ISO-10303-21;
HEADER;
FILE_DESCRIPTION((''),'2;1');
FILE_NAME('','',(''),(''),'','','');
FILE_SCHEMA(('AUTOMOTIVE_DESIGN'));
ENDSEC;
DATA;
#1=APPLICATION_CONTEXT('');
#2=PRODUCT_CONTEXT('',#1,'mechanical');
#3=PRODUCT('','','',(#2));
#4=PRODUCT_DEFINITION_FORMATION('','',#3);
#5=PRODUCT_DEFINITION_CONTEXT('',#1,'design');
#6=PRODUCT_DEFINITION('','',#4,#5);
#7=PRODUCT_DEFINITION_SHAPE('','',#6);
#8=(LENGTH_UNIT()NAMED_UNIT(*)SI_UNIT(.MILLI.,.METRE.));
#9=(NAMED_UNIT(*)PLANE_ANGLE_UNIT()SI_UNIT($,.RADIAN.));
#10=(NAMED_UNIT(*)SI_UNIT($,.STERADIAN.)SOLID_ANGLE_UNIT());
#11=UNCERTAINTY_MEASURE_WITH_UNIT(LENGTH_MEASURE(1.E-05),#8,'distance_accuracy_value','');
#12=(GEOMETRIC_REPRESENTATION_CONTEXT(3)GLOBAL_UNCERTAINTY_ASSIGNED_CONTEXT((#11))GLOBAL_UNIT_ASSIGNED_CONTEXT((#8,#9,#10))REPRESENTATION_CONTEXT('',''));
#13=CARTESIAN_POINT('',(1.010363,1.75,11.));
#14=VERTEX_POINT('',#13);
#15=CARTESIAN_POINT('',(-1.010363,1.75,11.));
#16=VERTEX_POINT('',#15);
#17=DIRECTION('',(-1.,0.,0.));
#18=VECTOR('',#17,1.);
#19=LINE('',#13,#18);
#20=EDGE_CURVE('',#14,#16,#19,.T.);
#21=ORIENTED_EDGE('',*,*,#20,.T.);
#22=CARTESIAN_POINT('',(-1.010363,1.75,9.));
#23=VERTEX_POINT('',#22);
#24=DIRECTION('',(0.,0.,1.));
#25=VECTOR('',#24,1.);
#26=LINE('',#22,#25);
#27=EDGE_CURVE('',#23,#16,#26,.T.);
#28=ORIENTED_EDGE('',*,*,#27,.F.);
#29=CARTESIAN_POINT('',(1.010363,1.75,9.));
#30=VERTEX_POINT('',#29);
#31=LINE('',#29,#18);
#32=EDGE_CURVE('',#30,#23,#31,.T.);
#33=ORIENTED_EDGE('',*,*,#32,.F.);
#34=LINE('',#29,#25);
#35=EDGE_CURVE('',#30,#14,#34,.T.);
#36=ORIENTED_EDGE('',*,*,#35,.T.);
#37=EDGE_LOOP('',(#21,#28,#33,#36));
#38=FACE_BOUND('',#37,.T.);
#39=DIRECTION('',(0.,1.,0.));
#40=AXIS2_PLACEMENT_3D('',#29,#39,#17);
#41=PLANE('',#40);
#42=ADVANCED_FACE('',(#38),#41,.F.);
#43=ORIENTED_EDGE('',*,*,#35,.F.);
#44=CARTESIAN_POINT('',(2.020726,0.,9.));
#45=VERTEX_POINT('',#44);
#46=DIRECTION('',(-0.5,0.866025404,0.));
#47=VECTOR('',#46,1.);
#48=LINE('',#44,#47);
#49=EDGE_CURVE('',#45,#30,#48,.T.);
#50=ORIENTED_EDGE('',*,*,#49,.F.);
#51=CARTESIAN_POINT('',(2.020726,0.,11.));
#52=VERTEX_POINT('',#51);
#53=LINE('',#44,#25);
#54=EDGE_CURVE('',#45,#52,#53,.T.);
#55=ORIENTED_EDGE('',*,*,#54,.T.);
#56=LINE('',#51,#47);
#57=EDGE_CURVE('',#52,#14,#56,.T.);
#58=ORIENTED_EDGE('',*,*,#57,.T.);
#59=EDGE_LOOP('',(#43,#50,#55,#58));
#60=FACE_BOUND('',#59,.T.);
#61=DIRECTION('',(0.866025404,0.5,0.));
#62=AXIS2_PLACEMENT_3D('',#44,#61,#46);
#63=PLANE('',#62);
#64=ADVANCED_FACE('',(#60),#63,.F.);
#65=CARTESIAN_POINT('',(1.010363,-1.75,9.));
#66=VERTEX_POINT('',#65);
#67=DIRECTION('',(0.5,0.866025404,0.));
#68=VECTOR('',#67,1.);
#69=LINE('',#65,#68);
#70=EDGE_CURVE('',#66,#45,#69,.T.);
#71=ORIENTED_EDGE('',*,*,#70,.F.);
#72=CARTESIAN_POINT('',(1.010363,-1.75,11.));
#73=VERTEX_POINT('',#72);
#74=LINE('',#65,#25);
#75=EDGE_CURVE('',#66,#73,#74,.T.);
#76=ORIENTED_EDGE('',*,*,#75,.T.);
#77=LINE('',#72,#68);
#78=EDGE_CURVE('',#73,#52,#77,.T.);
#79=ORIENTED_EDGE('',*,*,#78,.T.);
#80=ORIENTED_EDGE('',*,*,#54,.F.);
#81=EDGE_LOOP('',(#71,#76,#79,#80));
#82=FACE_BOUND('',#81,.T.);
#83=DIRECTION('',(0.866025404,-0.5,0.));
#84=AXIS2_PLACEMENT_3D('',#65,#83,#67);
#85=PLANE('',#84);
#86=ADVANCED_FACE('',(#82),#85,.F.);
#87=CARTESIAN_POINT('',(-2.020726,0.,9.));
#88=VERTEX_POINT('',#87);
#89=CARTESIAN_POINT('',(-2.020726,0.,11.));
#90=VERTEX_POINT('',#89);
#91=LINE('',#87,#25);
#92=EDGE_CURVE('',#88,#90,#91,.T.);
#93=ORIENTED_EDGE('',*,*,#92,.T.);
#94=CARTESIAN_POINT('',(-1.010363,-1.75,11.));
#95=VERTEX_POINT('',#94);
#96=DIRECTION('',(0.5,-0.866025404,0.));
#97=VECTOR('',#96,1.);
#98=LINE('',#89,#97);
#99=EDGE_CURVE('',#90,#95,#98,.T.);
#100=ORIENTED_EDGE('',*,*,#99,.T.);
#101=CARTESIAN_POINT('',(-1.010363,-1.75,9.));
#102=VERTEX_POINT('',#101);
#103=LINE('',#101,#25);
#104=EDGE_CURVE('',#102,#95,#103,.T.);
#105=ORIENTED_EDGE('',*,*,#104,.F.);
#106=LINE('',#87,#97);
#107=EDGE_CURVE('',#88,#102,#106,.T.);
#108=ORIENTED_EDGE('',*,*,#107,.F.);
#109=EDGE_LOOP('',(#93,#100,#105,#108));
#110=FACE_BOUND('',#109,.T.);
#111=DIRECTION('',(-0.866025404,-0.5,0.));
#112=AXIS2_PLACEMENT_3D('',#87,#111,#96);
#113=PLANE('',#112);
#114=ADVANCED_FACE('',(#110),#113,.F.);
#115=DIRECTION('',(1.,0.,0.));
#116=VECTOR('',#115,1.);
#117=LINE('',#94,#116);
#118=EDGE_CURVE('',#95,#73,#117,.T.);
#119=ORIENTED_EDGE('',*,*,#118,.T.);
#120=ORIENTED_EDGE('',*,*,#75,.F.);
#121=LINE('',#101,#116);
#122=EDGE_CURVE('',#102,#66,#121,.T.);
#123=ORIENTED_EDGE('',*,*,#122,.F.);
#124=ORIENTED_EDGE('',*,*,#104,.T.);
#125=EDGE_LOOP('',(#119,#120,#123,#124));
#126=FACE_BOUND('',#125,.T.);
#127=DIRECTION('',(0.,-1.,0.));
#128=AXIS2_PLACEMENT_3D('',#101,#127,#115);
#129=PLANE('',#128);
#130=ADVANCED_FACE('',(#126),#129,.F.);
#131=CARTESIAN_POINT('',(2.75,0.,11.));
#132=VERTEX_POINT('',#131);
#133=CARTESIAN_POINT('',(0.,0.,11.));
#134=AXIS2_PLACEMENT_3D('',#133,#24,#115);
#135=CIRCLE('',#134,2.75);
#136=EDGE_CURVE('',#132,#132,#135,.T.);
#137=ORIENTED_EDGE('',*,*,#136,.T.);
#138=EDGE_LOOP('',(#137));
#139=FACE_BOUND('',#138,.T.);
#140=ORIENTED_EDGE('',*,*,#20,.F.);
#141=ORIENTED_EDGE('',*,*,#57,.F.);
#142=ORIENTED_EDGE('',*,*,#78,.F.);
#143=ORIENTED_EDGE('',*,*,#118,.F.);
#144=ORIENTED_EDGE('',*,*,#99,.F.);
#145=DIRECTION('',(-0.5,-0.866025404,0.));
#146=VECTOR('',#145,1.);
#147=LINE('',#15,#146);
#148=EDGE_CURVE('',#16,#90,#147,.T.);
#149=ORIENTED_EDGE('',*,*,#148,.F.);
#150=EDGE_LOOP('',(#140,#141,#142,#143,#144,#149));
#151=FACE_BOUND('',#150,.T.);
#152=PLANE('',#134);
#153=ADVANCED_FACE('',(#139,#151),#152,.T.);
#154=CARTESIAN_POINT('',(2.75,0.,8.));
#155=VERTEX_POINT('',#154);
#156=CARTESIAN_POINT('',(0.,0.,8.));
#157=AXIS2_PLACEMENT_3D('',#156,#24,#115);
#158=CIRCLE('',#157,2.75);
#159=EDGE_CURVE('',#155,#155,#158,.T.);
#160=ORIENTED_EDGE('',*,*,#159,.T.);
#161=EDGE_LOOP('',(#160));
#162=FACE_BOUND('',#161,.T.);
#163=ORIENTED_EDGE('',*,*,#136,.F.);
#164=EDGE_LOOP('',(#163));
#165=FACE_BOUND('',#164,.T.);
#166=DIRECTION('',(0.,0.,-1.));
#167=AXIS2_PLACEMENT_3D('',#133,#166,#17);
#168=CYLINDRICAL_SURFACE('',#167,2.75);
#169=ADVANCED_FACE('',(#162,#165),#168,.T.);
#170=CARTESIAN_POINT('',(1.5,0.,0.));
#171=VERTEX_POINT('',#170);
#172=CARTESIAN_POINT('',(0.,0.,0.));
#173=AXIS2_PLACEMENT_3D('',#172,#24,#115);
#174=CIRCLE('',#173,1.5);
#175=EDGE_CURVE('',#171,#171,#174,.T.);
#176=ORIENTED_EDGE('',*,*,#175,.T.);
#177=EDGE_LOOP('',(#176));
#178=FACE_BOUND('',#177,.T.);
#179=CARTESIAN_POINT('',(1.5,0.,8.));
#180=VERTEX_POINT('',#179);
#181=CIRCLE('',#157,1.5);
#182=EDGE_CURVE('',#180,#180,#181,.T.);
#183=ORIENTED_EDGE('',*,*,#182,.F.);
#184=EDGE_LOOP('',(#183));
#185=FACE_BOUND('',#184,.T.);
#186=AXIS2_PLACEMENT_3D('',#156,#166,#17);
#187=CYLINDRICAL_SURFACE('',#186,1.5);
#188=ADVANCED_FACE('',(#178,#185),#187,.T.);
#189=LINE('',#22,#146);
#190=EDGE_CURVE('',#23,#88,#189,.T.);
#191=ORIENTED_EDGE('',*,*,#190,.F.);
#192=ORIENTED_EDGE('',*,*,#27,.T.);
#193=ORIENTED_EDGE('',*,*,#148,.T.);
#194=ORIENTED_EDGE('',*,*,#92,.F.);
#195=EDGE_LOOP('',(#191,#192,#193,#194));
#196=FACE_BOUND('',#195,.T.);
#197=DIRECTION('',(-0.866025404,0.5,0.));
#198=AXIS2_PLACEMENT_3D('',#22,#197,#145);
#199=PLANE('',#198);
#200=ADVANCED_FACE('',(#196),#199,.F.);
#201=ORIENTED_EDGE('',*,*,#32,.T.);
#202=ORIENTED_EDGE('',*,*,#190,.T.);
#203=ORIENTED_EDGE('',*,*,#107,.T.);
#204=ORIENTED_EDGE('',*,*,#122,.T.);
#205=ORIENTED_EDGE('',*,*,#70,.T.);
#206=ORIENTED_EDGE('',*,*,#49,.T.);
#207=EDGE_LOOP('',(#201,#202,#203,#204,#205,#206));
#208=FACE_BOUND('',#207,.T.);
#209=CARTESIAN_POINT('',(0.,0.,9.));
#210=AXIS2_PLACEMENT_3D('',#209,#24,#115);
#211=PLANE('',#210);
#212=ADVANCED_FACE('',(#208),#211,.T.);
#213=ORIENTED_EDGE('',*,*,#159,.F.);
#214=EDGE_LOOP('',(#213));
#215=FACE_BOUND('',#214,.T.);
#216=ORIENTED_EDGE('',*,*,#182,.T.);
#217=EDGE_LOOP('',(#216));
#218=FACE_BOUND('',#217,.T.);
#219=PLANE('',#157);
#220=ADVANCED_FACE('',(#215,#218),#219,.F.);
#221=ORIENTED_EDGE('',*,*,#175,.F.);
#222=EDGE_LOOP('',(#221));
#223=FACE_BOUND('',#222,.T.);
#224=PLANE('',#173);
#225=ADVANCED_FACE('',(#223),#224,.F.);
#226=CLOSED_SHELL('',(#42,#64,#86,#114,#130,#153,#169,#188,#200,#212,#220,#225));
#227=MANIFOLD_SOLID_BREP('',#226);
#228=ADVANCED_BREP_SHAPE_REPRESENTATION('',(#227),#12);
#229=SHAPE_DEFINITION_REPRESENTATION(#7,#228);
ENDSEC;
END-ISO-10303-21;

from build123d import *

# Parameters (mm, degrees)
ESQUISSE1_R             = 1.5
BOSS_EXTRU_1_DEPTH      = 8
ESQUISSE2_R             = 2.75
BOSS_EXTRU_2_DEPTH      = 3
ENL_V_MAT_EXTRU_1_DEPTH = 2


with BuildPart() as part:
    # Esquisse1 → Boss.-Extru.1 (new body)
    with BuildSketch(Plane.XY):
        Circle(ESQUISSE1_R)
    extrude(amount=BOSS_EXTRU_1_DEPTH)

    # Esquisse2 → Boss.-Extru.2 (add)
    with BuildSketch(Plane.XY.offset(8)):
        Circle(ESQUISSE2_R)
    extrude(amount=BOSS_EXTRU_2_DEPTH)

    # Esquisse3 → Enlèv. mat.-Extru.1 (cut)
    with BuildSketch(Plane.XY.offset(11)):
        Polygon((2.020725942, 0), (1.010362971, 1.75), (-1.010362971, 1.75), (-2.020725942, 0), (-1.010362971, -1.75), (1.010362971, -1.75), align=None)
    extrude(amount=-ENL_V_MAT_EXTRU_1_DEPTH, mode=Mode.SUBTRACT)


solid = part.part
